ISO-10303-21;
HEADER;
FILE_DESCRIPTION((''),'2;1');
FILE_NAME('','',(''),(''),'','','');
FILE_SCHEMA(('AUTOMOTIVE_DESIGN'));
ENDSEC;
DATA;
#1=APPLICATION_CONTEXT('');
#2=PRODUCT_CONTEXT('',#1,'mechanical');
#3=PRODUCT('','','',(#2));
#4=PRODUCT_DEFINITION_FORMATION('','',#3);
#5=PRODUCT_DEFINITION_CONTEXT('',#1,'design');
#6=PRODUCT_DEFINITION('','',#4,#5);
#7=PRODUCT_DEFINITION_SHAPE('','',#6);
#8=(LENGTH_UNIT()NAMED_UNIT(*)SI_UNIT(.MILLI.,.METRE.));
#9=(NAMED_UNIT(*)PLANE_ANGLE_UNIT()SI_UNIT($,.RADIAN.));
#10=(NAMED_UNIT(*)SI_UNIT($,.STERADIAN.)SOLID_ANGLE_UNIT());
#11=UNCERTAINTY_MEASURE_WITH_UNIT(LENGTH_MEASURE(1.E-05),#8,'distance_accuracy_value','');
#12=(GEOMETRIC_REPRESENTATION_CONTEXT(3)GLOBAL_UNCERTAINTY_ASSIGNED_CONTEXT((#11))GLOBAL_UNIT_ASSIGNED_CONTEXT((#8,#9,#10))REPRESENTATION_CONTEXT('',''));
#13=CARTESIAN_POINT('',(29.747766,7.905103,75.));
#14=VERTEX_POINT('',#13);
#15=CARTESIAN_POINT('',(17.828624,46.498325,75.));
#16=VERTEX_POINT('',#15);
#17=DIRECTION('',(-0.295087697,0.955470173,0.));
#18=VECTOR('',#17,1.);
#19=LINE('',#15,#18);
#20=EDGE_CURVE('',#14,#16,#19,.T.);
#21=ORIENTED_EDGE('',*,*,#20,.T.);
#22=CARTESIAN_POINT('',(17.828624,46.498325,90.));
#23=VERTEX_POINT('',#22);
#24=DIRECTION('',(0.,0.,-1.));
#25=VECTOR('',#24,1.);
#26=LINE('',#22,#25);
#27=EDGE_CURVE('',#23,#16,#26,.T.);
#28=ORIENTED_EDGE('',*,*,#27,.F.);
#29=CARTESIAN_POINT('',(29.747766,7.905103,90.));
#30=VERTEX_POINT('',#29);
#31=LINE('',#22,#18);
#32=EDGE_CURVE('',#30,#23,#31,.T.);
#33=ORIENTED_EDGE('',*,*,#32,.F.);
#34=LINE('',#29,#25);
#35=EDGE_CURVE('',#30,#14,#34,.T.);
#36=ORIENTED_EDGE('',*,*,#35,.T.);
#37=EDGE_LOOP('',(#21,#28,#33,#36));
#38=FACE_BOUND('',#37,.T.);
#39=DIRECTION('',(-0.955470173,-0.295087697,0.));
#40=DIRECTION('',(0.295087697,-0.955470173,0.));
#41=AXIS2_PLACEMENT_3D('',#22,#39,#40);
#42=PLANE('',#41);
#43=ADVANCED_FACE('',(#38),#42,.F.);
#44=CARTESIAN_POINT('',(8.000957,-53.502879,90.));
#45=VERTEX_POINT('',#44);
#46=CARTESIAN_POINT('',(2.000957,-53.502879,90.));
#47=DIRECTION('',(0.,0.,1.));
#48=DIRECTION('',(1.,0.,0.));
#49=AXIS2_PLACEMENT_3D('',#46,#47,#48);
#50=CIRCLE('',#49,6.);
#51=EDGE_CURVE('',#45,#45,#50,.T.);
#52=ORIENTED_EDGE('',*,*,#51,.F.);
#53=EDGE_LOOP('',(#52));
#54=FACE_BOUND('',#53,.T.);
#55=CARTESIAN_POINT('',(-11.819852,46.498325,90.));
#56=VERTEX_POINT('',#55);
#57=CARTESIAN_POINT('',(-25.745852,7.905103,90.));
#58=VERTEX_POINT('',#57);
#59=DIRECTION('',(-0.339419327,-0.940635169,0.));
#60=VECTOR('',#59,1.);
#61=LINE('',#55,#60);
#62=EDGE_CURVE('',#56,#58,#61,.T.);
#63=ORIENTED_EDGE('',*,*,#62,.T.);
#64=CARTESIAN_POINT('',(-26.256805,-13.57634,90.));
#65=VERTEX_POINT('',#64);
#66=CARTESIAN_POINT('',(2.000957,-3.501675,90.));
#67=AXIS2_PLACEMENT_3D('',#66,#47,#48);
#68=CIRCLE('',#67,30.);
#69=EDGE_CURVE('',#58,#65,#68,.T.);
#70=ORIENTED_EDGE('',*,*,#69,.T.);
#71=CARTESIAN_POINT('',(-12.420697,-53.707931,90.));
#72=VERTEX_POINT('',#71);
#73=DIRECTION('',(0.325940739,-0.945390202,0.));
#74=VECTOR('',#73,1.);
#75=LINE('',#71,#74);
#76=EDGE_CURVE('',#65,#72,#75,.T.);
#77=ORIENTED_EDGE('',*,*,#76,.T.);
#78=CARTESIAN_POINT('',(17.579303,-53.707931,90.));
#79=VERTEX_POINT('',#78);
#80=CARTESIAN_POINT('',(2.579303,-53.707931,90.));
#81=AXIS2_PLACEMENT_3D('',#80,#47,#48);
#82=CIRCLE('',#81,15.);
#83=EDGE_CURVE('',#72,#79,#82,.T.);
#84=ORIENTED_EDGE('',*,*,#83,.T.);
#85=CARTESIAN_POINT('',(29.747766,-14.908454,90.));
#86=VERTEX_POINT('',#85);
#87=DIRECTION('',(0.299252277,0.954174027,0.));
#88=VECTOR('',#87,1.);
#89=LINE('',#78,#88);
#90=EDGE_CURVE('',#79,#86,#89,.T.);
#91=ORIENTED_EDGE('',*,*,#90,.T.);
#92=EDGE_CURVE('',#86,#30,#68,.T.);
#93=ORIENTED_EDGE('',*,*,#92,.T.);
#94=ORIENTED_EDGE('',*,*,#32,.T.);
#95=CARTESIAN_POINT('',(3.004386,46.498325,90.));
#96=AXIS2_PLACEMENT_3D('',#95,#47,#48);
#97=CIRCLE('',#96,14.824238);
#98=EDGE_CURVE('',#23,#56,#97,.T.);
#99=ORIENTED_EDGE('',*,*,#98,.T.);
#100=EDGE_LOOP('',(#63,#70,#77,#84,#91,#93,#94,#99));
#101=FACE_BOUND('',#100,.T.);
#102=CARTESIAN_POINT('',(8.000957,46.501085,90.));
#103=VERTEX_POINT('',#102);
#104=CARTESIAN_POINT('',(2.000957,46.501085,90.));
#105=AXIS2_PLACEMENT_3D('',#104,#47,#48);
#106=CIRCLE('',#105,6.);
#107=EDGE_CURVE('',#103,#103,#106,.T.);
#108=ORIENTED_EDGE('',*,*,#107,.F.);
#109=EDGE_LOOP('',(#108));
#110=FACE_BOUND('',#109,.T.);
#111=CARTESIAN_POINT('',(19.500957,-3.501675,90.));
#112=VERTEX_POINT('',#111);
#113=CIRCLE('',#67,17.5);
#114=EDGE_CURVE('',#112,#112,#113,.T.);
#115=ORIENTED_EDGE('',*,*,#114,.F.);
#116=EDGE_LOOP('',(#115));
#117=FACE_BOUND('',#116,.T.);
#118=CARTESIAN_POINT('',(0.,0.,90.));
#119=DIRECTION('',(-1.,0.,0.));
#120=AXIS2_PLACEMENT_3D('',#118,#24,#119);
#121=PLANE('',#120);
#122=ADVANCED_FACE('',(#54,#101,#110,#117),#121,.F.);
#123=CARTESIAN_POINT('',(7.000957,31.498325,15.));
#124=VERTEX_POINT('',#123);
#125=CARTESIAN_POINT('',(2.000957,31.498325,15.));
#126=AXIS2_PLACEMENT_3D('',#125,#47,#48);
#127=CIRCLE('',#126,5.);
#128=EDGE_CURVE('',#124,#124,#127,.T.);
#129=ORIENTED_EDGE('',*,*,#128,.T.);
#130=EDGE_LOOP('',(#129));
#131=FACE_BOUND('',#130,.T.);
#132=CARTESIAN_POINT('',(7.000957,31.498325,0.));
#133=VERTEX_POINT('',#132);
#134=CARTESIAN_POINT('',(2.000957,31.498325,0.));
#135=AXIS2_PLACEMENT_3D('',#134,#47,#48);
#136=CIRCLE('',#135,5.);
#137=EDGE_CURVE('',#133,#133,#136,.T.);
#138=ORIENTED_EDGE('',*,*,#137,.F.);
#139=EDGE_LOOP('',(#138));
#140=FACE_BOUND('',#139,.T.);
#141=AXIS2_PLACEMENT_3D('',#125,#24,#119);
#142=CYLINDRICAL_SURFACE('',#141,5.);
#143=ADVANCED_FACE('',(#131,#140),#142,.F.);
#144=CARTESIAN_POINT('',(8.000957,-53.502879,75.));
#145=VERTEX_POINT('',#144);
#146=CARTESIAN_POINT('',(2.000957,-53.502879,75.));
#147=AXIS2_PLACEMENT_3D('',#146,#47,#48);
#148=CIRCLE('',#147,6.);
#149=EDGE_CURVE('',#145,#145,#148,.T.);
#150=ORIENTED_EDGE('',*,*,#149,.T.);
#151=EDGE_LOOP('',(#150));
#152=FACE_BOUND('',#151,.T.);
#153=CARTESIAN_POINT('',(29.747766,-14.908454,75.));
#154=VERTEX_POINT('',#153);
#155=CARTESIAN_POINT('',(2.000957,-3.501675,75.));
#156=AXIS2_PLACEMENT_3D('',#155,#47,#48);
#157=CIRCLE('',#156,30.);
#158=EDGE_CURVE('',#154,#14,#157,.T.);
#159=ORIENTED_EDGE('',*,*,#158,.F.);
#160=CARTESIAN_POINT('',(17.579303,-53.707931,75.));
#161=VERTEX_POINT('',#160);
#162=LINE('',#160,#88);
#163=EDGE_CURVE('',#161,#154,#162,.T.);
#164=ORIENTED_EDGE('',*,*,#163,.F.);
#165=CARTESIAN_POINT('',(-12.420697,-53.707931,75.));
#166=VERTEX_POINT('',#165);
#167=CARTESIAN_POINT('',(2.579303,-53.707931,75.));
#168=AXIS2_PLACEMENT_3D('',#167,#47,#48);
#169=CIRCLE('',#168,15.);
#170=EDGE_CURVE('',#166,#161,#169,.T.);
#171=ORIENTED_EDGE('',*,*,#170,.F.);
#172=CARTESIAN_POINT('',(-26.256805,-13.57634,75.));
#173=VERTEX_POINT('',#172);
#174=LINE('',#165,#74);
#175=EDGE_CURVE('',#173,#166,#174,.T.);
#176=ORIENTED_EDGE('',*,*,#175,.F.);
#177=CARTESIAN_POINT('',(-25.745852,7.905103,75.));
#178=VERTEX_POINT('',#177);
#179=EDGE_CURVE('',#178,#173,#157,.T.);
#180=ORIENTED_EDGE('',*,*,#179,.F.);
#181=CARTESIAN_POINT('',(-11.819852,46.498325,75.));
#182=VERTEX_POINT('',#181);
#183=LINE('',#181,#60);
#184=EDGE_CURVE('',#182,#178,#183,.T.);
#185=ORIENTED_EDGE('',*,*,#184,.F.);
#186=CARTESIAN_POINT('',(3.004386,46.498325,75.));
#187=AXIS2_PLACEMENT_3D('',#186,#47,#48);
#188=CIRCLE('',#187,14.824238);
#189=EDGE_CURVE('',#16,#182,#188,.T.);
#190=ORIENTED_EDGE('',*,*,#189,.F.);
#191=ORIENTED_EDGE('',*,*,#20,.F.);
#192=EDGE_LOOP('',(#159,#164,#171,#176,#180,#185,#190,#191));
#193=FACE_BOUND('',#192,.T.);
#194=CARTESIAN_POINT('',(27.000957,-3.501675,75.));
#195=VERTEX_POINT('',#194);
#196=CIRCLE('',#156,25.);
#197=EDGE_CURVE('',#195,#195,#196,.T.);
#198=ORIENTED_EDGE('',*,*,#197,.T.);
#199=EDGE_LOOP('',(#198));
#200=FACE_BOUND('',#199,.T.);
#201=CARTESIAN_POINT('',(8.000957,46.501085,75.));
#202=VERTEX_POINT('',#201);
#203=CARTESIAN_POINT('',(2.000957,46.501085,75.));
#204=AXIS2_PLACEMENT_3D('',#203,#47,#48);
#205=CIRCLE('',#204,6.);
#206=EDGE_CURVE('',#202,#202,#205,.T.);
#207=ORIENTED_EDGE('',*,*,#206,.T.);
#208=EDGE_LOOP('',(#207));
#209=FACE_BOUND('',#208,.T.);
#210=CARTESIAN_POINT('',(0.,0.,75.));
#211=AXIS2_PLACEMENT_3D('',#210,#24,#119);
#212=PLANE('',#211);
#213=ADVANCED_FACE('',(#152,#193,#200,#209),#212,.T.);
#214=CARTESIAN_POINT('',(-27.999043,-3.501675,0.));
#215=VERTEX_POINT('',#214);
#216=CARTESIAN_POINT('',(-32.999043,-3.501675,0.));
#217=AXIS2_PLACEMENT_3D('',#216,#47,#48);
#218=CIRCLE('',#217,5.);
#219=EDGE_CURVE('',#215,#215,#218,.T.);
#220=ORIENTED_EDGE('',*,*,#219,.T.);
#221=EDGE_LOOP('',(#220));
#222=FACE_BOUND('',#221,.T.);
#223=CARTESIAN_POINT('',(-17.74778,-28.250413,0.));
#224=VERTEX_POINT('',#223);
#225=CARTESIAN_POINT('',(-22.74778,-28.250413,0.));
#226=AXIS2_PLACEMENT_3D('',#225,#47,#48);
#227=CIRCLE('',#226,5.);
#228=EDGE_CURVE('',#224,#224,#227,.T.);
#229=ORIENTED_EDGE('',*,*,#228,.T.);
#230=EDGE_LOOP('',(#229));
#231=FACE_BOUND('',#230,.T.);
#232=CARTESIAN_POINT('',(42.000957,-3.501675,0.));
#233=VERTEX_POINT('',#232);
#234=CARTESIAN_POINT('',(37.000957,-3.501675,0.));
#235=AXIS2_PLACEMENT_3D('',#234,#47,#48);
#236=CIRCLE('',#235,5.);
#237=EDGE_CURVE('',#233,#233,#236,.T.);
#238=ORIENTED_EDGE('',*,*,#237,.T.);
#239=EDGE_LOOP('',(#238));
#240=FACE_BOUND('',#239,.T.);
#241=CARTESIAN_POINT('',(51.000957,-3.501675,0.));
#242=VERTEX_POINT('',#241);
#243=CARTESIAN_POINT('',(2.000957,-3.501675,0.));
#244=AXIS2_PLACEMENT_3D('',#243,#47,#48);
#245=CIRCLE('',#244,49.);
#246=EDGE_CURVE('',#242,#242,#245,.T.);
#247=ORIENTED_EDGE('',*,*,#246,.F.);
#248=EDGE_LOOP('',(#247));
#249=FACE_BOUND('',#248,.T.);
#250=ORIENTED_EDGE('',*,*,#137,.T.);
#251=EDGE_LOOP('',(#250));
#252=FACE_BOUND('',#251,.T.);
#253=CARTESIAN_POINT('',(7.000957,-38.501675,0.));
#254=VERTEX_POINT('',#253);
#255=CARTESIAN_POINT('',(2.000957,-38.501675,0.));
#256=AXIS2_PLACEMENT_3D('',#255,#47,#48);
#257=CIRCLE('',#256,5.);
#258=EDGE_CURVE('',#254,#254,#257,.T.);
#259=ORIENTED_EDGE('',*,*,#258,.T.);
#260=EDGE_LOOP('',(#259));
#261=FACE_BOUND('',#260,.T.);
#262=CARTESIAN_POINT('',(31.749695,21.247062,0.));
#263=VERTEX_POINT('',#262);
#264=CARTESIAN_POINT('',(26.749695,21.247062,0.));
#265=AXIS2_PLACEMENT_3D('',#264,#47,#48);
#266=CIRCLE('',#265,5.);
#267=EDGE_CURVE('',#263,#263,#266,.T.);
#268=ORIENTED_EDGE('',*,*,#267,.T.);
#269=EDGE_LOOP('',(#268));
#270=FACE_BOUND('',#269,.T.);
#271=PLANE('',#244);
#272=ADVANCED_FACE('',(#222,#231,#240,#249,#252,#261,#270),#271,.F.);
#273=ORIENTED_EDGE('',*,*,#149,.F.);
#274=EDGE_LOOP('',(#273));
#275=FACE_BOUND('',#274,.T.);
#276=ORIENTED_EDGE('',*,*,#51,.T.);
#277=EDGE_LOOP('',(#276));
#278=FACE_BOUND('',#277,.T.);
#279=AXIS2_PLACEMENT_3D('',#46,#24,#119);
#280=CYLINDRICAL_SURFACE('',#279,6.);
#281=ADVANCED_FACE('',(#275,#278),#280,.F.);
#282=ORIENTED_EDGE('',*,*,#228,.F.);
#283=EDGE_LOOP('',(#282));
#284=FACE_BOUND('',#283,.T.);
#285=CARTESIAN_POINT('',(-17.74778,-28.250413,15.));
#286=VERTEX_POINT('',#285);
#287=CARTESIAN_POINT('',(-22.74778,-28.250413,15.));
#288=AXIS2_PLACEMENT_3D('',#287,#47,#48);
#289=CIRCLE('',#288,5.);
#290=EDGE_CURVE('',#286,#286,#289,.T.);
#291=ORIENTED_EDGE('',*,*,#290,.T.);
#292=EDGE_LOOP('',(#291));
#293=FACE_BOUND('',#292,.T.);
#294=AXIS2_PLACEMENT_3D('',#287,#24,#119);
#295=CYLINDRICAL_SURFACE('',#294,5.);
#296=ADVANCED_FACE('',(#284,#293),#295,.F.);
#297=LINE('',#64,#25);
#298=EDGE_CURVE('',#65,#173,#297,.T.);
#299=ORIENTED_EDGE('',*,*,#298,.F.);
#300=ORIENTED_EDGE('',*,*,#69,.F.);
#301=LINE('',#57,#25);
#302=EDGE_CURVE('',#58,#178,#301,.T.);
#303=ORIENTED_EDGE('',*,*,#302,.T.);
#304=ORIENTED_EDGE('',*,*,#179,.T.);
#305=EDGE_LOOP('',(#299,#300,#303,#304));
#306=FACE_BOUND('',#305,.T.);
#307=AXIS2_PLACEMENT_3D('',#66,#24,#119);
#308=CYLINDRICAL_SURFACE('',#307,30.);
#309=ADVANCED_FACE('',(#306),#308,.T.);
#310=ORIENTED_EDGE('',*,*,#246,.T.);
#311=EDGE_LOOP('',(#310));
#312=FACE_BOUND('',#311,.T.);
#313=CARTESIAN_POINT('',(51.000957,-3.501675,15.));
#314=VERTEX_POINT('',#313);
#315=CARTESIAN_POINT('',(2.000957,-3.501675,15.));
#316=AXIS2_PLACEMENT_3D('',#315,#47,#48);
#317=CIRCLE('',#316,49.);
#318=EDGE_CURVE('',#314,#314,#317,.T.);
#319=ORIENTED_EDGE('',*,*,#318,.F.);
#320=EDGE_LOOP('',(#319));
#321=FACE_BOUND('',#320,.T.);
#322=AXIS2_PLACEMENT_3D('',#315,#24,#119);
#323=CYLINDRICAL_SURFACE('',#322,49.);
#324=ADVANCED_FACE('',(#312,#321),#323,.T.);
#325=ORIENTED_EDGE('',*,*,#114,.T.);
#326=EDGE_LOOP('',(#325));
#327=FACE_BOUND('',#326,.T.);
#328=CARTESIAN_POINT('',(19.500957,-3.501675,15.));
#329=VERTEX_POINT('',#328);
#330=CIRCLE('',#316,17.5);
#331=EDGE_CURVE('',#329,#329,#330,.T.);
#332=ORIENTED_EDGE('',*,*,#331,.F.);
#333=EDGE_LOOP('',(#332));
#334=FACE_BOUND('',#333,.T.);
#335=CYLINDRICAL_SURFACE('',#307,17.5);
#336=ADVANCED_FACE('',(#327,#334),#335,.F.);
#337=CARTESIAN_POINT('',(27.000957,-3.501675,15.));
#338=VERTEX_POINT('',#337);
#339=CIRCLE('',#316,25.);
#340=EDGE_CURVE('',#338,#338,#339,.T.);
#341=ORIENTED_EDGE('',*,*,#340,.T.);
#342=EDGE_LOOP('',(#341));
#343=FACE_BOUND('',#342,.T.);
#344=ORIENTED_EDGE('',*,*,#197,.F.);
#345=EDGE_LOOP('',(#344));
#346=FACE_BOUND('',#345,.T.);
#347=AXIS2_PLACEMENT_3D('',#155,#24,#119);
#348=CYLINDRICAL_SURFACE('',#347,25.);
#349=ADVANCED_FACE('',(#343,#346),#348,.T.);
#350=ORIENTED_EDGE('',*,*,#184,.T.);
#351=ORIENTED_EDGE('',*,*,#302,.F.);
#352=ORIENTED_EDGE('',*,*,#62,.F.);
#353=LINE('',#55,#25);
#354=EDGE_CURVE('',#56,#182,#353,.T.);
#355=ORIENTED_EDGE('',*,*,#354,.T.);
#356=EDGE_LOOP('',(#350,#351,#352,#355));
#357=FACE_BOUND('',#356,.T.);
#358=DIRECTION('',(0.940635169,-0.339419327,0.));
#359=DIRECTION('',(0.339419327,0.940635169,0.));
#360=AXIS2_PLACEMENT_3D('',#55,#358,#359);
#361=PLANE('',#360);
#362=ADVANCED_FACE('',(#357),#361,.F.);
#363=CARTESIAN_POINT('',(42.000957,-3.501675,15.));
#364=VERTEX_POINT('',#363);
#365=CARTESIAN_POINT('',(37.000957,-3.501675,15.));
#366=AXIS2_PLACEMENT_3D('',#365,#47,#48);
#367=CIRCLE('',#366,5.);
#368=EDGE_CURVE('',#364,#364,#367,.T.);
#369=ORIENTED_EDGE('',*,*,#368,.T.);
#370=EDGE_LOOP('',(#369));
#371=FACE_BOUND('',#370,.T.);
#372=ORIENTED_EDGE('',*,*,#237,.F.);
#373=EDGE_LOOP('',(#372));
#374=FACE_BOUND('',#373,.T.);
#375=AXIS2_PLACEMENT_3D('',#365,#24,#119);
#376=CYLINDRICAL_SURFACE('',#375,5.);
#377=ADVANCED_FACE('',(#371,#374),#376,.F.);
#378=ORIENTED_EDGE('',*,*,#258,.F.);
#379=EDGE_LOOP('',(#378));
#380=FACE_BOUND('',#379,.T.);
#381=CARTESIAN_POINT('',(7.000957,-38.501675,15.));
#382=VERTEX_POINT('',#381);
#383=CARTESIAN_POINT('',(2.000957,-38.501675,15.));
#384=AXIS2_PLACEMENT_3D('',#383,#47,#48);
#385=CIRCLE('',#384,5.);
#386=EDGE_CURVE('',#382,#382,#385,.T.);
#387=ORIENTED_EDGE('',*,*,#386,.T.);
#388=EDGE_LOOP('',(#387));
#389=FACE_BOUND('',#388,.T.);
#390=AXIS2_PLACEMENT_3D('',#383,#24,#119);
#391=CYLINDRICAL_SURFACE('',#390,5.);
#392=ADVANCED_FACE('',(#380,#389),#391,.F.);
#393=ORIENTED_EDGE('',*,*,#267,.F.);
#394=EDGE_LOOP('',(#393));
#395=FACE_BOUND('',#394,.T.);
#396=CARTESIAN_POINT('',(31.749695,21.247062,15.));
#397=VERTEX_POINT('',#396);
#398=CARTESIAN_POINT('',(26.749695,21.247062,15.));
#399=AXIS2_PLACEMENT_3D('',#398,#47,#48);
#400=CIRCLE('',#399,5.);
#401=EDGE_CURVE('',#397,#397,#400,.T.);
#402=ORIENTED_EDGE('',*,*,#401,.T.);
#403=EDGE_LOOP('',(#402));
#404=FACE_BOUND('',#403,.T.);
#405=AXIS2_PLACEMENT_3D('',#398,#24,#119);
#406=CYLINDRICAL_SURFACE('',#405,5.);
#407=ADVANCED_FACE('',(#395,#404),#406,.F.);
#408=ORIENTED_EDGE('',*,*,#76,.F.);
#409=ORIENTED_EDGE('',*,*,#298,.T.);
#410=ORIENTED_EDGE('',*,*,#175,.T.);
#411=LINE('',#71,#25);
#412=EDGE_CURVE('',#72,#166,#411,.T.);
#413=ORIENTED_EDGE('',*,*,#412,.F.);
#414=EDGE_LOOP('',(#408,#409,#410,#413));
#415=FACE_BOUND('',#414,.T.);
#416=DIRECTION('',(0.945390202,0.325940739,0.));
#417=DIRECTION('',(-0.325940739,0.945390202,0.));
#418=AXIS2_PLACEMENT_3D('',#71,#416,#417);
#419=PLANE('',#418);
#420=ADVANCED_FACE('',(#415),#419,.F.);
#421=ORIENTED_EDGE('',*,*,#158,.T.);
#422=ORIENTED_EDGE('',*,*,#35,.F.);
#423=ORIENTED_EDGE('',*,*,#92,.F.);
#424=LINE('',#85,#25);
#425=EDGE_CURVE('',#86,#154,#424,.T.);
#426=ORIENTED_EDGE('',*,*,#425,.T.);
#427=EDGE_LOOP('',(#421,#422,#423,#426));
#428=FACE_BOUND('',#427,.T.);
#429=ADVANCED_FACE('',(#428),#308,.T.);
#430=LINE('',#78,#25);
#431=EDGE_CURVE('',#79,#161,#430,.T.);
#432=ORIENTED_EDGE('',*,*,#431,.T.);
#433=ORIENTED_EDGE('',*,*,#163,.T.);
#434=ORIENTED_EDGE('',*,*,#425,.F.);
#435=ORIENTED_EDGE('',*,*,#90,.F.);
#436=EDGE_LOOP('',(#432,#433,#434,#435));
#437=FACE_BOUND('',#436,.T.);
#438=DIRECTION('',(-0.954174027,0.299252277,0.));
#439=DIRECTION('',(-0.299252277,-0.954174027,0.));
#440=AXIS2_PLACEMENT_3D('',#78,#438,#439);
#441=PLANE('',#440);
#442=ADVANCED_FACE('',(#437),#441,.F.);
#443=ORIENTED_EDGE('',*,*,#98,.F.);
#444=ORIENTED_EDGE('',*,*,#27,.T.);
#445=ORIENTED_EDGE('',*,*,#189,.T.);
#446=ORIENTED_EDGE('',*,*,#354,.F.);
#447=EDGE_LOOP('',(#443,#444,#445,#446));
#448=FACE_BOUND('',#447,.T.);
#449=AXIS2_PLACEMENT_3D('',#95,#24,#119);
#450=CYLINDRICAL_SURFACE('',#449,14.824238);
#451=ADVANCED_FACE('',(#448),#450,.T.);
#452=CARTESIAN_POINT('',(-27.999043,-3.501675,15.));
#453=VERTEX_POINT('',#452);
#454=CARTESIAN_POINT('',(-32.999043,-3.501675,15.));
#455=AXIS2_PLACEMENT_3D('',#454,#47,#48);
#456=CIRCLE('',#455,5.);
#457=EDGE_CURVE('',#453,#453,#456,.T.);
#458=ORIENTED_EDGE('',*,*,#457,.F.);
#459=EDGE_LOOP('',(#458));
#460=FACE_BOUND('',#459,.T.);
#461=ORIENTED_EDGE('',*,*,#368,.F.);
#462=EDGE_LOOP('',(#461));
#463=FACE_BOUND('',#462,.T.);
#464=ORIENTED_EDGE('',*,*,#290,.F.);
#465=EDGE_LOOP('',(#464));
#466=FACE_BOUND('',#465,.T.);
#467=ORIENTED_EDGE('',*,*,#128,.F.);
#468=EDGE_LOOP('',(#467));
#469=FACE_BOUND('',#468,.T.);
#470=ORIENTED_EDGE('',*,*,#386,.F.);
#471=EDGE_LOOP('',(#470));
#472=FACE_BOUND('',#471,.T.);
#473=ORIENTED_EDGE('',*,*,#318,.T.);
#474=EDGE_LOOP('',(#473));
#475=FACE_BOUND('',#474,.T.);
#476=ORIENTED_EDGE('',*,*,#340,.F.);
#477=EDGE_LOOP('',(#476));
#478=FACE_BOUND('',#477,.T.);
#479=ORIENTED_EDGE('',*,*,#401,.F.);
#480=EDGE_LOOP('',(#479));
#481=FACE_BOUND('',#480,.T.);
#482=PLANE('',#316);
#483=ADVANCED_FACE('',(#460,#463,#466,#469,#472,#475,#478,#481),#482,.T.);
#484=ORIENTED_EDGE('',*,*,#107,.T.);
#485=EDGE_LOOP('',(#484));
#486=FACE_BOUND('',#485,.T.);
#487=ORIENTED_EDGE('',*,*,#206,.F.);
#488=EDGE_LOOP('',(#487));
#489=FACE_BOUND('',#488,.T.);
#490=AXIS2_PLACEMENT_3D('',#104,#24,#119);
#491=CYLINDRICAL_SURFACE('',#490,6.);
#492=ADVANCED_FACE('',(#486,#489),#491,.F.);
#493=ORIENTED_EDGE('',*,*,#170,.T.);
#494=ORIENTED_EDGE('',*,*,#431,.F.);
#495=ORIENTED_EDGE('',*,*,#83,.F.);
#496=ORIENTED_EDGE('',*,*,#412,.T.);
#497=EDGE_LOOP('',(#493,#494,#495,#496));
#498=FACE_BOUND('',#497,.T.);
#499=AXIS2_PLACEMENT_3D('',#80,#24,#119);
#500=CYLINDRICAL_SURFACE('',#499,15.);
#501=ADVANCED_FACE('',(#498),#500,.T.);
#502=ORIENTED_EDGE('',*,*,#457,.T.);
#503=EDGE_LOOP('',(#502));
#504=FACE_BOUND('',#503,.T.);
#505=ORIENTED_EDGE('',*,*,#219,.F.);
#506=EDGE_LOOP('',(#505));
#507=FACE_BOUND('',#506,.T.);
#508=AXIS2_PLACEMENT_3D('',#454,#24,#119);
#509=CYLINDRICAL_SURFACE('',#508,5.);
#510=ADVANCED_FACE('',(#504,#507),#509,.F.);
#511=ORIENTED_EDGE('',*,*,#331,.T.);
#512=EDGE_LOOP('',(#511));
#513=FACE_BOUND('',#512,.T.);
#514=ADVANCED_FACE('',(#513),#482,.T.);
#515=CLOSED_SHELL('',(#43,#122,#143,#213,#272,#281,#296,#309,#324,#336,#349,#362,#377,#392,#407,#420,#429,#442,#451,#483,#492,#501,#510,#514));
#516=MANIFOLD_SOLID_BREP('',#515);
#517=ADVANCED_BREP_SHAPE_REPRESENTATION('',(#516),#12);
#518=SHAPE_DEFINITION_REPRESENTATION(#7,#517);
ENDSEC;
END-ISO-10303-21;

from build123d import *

# Parameters (mm, degrees)
SKETCH1_R           = 49
SKETCH1_R_2         = 5
BOSS_EXTRUDE1_DEPTH = 15
SKETCH2_R           = 25
BOSS_EXTRUDE2_DEPTH = 60
F_3DSKETCH1_R       = 17.5
F_3DSKETCH1_R_2     = 6
BOSS_EXTRUDE3_DEPTH = 15
SKETCH3_R           = 17.5
CUT_EXTRUDE1_DEPTH  = 60


with BuildPart() as part:
    # Sketch1 → Boss-Extrude1 (new body)
    with BuildSketch(Plane.XY):
        with Locations((2.00095732, -3.501675309)):
            Circle(SKETCH1_R)
        with Locations((2.00095732, 31.498324691)):
            Circle(SKETCH1_R_2, mode=Mode.SUBTRACT)
        with Locations((37.00095732, -3.501675309)):
            Circle(SKETCH1_R_2, mode=Mode.SUBTRACT)
        with Locations((2.00095732, -38.501675309)):
            Circle(SKETCH1_R_2, mode=Mode.SUBTRACT)
        with Locations((-32.99904268, -3.501675309)):
            Circle(SKETCH1_R_2, mode=Mode.SUBTRACT)
        with Locations((26.749694661, 21.247062032)):
            Circle(SKETCH1_R_2, mode=Mode.SUBTRACT)
        with Locations((-22.747780022, -28.250412651)):
            Circle(SKETCH1_R_2, mode=Mode.SUBTRACT)
    extrude(amount=BOSS_EXTRUDE1_DEPTH)

    # Sketch2 → Boss-Extrude2 (add)
    with BuildSketch(Plane.XY.offset(15)):
        with Locations((2.00095732, -3.501675309)):
            Circle(SKETCH2_R)
    extrude(amount=BOSS_EXTRUDE2_DEPTH)

    # 3DSketch1 → Boss-Extrude3 (add)
    with BuildSketch(Plane(origin=(17.828624009, 46.498324691, 90), x_dir=(-0.2889903749033983, -0.9573320026057801, 0), z_dir=(0, 0, -1))):
        with BuildLine():
            Line((0, 0), (33.502008681, -22.56364586))
            ThreePointArc((33.502008681, -22.56364586), (43.770932214, -28.017146975), (55.342156817, -29.156544228))
            Line((55.342156817, -29.156544228), (96.002707212, -28.719960078))
            ThreePointArc((96.002707212, -28.719960078), (114.697542875, -18.694835663), (104.672418459, 0))
            Line((104.672418459, 0), (70.251663663, 24.843392205))
            ThreePointArc((70.251663663, 24.843392205), (60.424969024, 29.620810014), (49.539130104, 30.562170435))
            Line((49.539130104, 30.562170435), (8.568124101, 28.383434594))
            ThreePointArc((8.568124101, 28.383434594), (-9.907655246, 18.475779348), (0, 0))
        make_face()
        with Locations(Location((52.440643461, 0.702813104, 0), (0, 0, 253.202479102))):
            Circle(F_3DSKETCH1_R, mode=Mode.SUBTRACT)
        with Locations(Location((100.308395753, -13.747053445, 0), (0, 0, 253.202479102))):
            Circle(F_3DSKETCH1_R_2, mode=Mode.SUBTRACT)
        with Locations(Location((4.571400625, 15.153129604, 0), (0, 0, 253.202479102))):
            Circle(F_3DSKETCH1_R_2, mode=Mode.SUBTRACT)
    extrude(amount=BOSS_EXTRUDE3_DEPTH)

    # Sketch3 → Cut-Extrude1 (cut)
    with BuildSketch(Plane.XY.offset(75)):
        with Locations((2.00095732, -3.501675309)):
            Circle(SKETCH3_R)
    extrude(amount=-CUT_EXTRUDE1_DEPTH, mode=Mode.SUBTRACT)


solid = part.part
